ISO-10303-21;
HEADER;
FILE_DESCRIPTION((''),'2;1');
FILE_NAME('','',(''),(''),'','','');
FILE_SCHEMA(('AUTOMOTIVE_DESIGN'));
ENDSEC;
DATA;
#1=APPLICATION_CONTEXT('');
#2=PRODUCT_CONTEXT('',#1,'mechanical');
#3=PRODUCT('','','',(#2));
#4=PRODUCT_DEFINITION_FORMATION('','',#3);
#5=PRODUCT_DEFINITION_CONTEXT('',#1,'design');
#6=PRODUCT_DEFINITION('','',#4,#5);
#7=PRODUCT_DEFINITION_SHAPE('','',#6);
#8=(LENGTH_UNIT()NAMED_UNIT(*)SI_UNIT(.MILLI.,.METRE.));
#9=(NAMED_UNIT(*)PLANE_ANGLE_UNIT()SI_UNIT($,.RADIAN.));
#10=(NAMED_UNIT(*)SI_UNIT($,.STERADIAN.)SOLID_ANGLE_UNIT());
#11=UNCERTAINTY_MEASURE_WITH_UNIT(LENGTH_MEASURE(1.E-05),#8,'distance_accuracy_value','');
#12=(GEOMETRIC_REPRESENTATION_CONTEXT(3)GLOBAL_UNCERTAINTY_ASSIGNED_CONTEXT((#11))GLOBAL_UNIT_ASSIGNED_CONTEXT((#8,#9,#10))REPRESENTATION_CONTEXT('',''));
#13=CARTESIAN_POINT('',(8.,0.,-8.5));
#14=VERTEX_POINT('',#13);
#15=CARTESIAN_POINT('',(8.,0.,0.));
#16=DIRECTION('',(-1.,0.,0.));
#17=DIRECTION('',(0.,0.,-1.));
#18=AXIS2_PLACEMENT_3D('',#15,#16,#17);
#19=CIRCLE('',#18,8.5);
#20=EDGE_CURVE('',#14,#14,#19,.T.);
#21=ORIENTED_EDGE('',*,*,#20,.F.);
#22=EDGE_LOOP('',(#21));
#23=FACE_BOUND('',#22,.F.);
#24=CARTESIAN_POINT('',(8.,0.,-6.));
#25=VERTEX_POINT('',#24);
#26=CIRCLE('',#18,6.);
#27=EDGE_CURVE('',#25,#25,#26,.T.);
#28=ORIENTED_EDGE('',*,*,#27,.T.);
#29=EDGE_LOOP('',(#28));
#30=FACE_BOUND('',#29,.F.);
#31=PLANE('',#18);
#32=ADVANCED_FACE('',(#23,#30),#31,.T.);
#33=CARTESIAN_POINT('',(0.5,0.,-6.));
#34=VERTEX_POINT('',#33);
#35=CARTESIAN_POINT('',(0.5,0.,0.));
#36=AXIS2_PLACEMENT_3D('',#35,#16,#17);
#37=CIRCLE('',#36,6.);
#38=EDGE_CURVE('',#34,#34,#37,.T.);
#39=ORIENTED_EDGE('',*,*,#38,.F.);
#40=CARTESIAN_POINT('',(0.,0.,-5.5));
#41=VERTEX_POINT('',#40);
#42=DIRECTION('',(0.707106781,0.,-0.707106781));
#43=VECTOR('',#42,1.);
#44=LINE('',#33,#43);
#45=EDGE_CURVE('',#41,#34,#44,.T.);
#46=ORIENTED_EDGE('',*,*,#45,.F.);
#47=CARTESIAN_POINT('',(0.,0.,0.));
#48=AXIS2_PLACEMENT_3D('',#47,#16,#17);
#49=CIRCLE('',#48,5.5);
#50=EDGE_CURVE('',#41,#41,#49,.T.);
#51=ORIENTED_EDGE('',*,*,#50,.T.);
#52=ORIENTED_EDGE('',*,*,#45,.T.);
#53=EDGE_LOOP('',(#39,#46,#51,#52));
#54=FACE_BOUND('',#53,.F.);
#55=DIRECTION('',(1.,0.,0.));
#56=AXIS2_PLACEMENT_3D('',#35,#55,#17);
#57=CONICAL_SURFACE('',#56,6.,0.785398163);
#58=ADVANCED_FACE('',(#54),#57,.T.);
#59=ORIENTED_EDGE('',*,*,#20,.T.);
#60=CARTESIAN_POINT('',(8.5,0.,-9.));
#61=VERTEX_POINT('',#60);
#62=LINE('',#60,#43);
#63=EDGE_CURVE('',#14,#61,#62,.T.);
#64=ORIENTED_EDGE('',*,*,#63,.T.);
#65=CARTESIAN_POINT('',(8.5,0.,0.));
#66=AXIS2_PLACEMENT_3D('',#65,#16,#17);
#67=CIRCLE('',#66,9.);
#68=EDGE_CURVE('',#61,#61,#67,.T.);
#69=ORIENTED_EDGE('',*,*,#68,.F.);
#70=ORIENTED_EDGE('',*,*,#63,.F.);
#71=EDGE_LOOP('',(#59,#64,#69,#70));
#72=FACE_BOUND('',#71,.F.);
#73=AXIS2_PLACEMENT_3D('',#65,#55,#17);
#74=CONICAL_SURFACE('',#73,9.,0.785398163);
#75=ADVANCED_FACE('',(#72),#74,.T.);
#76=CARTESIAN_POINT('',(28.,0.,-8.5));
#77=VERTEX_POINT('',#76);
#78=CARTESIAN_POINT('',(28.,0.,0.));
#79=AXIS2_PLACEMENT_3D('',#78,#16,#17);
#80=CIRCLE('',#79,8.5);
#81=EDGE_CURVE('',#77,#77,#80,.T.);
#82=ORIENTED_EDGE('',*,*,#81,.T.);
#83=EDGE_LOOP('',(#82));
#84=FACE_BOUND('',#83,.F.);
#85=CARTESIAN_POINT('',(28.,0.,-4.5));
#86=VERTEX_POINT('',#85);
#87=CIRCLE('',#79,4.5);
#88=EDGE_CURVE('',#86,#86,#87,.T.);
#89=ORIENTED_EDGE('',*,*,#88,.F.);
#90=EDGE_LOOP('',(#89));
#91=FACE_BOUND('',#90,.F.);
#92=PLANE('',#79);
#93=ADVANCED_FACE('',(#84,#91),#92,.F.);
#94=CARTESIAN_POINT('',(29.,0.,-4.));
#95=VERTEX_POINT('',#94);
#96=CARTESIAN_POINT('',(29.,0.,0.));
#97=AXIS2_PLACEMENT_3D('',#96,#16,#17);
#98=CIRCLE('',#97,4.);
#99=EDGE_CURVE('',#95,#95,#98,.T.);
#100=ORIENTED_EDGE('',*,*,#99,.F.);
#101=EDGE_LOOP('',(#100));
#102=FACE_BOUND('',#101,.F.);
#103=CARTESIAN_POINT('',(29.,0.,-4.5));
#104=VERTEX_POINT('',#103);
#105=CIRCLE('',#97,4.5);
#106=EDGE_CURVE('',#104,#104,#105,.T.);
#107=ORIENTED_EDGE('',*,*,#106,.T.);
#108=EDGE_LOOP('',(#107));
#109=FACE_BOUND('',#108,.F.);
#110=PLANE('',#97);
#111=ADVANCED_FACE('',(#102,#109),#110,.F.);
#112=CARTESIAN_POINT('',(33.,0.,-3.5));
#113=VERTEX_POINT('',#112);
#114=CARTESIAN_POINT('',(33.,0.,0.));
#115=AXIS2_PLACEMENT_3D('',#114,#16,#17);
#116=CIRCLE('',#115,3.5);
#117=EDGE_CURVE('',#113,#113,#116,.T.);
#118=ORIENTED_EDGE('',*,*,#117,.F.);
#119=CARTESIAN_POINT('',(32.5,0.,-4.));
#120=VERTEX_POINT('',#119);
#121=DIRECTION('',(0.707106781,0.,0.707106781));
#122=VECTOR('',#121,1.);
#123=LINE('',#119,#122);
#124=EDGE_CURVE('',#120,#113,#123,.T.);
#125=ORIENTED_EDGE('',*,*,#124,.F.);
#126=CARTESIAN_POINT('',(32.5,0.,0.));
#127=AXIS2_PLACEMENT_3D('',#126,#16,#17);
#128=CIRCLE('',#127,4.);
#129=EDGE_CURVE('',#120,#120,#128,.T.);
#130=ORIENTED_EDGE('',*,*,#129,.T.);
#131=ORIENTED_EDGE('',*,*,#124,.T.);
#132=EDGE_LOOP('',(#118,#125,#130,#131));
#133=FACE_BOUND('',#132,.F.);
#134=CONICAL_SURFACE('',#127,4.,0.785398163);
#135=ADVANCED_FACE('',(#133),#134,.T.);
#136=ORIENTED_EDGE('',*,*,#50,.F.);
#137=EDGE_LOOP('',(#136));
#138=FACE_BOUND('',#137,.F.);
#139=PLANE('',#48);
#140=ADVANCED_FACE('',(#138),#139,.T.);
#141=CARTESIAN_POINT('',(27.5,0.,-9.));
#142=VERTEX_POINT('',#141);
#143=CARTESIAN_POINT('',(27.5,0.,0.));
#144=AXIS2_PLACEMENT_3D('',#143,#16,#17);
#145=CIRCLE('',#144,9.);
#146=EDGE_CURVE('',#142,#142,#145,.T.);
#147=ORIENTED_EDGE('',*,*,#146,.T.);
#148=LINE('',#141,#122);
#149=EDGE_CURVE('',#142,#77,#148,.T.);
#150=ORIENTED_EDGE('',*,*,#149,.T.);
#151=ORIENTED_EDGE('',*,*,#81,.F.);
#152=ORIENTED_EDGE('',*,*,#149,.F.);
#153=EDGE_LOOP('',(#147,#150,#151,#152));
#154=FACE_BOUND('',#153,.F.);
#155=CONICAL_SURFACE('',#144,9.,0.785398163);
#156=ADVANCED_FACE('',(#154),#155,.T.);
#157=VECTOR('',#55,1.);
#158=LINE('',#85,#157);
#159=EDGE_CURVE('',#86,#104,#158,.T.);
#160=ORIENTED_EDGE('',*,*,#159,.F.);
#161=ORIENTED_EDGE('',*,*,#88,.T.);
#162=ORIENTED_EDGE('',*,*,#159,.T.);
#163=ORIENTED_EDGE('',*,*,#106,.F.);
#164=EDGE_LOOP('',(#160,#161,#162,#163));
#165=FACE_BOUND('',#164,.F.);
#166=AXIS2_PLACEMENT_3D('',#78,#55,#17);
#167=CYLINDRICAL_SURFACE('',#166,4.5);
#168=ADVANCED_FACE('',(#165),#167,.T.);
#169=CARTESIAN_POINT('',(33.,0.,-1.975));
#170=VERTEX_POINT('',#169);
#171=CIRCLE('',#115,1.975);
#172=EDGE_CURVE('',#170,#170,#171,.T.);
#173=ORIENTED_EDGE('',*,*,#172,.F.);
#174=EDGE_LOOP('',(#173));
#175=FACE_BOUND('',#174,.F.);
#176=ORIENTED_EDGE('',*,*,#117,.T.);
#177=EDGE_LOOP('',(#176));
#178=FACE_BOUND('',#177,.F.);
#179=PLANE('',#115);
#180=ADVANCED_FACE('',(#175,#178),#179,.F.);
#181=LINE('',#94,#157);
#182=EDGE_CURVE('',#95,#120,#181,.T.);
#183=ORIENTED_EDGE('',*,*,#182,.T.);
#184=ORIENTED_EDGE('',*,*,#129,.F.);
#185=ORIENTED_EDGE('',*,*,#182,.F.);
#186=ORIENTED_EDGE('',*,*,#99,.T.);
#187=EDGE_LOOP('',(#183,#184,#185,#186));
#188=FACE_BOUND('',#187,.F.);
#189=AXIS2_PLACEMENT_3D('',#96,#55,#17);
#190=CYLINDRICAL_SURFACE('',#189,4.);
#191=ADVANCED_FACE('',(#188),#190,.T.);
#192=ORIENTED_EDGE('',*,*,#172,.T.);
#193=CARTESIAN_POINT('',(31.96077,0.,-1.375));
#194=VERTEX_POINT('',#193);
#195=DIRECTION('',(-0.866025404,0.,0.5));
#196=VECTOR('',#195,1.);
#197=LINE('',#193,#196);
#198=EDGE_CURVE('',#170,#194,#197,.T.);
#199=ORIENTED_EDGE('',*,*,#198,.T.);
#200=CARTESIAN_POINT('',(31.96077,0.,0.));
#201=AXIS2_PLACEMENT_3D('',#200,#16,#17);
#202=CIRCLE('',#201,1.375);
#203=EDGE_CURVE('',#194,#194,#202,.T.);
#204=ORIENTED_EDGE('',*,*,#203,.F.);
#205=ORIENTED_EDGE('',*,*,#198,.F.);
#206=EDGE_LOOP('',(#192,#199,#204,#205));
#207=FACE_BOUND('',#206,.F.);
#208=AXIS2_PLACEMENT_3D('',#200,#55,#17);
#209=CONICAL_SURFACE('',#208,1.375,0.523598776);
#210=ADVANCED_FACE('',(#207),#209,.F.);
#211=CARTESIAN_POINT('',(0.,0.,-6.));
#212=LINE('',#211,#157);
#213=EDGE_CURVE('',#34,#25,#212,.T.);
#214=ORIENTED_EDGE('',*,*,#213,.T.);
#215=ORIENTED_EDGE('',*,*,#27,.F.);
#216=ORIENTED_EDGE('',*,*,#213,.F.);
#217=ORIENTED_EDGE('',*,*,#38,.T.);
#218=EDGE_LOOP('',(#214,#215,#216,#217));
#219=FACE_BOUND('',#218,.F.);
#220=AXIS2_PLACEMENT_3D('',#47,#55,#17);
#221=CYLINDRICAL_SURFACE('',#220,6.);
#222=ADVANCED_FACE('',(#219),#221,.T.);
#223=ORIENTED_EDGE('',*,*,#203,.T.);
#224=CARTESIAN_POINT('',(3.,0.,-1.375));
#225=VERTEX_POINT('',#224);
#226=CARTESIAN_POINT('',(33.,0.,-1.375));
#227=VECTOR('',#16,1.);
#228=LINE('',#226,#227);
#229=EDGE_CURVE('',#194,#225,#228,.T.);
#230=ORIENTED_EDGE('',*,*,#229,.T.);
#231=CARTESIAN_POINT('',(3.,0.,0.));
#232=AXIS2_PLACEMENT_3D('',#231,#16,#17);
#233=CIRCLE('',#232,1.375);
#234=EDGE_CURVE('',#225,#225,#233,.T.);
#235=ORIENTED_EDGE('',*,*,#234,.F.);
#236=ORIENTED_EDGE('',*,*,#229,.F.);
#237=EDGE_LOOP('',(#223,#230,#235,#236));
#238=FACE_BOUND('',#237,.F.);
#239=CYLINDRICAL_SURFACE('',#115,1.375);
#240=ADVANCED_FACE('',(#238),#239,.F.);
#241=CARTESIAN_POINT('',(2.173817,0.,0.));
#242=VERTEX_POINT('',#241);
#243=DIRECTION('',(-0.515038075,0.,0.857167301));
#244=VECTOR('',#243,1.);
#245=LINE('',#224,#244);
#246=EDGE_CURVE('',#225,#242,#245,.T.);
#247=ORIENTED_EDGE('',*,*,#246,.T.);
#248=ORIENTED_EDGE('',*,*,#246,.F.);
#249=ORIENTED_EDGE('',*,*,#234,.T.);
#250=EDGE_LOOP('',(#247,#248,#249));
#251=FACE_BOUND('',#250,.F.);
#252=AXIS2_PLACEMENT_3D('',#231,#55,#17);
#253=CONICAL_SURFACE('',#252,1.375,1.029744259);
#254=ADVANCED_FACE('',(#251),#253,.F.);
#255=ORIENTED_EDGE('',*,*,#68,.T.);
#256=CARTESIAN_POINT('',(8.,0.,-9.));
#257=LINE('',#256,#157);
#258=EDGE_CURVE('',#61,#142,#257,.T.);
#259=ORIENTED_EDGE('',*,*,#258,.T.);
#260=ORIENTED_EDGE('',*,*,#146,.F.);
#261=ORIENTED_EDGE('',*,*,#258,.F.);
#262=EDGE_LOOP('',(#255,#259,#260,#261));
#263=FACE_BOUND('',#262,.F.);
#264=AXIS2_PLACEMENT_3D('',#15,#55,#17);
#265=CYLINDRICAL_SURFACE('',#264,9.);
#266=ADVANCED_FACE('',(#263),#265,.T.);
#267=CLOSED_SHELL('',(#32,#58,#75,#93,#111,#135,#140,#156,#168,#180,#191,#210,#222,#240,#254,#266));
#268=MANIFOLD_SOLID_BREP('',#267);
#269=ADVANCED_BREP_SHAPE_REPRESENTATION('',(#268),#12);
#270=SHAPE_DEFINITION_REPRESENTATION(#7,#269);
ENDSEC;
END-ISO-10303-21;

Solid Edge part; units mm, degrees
sketch "Sketch1" plane through (0, 0, 0) normal (0, -1, 0) x (1, 0, 0)
  line L0 (0, 0) -> (0, -6)
  line L1 (0, -6) -> (8, -6)
  line L2 (8, -6) -> (8, -9)
  line L3 (8, -9) -> (28, -9)
  line L4 (28, -9) -> (28, -4.5)
  line L5 (28, -4.5) -> (29, -4.5)
  line L6 (29, -4.5) -> (29, -4)
  line L7 (29, -4) -> (33, -4)
  line L8 (33, -4) -> (33, 0)
  dimension "D1" = 8
  dimension "D2" = 20
  dimension "D3" = 4
  dimension "D4" = 1
revolve "RevolvedProtrusion1" add sketch "Sketch1" angle 360 about axis through (14, 0, 0) along (-1, 0, 0)
chamfer "Chamfer1" distance 0.5 angle 45 4 edges at (0, 0, 6) (33, 0, 4) (8, 0, 9) (28, 0, 9)
hole "Hole_1" at (33, 0, 0) direction (-1, 0, 0) diameter 2.75 depth 30 tip angle 118 start chamfer 0.6 start chamfer angle 30 end chamfer 0.6 end chamfer angle 30
properties material "Polyethylene, low density"
